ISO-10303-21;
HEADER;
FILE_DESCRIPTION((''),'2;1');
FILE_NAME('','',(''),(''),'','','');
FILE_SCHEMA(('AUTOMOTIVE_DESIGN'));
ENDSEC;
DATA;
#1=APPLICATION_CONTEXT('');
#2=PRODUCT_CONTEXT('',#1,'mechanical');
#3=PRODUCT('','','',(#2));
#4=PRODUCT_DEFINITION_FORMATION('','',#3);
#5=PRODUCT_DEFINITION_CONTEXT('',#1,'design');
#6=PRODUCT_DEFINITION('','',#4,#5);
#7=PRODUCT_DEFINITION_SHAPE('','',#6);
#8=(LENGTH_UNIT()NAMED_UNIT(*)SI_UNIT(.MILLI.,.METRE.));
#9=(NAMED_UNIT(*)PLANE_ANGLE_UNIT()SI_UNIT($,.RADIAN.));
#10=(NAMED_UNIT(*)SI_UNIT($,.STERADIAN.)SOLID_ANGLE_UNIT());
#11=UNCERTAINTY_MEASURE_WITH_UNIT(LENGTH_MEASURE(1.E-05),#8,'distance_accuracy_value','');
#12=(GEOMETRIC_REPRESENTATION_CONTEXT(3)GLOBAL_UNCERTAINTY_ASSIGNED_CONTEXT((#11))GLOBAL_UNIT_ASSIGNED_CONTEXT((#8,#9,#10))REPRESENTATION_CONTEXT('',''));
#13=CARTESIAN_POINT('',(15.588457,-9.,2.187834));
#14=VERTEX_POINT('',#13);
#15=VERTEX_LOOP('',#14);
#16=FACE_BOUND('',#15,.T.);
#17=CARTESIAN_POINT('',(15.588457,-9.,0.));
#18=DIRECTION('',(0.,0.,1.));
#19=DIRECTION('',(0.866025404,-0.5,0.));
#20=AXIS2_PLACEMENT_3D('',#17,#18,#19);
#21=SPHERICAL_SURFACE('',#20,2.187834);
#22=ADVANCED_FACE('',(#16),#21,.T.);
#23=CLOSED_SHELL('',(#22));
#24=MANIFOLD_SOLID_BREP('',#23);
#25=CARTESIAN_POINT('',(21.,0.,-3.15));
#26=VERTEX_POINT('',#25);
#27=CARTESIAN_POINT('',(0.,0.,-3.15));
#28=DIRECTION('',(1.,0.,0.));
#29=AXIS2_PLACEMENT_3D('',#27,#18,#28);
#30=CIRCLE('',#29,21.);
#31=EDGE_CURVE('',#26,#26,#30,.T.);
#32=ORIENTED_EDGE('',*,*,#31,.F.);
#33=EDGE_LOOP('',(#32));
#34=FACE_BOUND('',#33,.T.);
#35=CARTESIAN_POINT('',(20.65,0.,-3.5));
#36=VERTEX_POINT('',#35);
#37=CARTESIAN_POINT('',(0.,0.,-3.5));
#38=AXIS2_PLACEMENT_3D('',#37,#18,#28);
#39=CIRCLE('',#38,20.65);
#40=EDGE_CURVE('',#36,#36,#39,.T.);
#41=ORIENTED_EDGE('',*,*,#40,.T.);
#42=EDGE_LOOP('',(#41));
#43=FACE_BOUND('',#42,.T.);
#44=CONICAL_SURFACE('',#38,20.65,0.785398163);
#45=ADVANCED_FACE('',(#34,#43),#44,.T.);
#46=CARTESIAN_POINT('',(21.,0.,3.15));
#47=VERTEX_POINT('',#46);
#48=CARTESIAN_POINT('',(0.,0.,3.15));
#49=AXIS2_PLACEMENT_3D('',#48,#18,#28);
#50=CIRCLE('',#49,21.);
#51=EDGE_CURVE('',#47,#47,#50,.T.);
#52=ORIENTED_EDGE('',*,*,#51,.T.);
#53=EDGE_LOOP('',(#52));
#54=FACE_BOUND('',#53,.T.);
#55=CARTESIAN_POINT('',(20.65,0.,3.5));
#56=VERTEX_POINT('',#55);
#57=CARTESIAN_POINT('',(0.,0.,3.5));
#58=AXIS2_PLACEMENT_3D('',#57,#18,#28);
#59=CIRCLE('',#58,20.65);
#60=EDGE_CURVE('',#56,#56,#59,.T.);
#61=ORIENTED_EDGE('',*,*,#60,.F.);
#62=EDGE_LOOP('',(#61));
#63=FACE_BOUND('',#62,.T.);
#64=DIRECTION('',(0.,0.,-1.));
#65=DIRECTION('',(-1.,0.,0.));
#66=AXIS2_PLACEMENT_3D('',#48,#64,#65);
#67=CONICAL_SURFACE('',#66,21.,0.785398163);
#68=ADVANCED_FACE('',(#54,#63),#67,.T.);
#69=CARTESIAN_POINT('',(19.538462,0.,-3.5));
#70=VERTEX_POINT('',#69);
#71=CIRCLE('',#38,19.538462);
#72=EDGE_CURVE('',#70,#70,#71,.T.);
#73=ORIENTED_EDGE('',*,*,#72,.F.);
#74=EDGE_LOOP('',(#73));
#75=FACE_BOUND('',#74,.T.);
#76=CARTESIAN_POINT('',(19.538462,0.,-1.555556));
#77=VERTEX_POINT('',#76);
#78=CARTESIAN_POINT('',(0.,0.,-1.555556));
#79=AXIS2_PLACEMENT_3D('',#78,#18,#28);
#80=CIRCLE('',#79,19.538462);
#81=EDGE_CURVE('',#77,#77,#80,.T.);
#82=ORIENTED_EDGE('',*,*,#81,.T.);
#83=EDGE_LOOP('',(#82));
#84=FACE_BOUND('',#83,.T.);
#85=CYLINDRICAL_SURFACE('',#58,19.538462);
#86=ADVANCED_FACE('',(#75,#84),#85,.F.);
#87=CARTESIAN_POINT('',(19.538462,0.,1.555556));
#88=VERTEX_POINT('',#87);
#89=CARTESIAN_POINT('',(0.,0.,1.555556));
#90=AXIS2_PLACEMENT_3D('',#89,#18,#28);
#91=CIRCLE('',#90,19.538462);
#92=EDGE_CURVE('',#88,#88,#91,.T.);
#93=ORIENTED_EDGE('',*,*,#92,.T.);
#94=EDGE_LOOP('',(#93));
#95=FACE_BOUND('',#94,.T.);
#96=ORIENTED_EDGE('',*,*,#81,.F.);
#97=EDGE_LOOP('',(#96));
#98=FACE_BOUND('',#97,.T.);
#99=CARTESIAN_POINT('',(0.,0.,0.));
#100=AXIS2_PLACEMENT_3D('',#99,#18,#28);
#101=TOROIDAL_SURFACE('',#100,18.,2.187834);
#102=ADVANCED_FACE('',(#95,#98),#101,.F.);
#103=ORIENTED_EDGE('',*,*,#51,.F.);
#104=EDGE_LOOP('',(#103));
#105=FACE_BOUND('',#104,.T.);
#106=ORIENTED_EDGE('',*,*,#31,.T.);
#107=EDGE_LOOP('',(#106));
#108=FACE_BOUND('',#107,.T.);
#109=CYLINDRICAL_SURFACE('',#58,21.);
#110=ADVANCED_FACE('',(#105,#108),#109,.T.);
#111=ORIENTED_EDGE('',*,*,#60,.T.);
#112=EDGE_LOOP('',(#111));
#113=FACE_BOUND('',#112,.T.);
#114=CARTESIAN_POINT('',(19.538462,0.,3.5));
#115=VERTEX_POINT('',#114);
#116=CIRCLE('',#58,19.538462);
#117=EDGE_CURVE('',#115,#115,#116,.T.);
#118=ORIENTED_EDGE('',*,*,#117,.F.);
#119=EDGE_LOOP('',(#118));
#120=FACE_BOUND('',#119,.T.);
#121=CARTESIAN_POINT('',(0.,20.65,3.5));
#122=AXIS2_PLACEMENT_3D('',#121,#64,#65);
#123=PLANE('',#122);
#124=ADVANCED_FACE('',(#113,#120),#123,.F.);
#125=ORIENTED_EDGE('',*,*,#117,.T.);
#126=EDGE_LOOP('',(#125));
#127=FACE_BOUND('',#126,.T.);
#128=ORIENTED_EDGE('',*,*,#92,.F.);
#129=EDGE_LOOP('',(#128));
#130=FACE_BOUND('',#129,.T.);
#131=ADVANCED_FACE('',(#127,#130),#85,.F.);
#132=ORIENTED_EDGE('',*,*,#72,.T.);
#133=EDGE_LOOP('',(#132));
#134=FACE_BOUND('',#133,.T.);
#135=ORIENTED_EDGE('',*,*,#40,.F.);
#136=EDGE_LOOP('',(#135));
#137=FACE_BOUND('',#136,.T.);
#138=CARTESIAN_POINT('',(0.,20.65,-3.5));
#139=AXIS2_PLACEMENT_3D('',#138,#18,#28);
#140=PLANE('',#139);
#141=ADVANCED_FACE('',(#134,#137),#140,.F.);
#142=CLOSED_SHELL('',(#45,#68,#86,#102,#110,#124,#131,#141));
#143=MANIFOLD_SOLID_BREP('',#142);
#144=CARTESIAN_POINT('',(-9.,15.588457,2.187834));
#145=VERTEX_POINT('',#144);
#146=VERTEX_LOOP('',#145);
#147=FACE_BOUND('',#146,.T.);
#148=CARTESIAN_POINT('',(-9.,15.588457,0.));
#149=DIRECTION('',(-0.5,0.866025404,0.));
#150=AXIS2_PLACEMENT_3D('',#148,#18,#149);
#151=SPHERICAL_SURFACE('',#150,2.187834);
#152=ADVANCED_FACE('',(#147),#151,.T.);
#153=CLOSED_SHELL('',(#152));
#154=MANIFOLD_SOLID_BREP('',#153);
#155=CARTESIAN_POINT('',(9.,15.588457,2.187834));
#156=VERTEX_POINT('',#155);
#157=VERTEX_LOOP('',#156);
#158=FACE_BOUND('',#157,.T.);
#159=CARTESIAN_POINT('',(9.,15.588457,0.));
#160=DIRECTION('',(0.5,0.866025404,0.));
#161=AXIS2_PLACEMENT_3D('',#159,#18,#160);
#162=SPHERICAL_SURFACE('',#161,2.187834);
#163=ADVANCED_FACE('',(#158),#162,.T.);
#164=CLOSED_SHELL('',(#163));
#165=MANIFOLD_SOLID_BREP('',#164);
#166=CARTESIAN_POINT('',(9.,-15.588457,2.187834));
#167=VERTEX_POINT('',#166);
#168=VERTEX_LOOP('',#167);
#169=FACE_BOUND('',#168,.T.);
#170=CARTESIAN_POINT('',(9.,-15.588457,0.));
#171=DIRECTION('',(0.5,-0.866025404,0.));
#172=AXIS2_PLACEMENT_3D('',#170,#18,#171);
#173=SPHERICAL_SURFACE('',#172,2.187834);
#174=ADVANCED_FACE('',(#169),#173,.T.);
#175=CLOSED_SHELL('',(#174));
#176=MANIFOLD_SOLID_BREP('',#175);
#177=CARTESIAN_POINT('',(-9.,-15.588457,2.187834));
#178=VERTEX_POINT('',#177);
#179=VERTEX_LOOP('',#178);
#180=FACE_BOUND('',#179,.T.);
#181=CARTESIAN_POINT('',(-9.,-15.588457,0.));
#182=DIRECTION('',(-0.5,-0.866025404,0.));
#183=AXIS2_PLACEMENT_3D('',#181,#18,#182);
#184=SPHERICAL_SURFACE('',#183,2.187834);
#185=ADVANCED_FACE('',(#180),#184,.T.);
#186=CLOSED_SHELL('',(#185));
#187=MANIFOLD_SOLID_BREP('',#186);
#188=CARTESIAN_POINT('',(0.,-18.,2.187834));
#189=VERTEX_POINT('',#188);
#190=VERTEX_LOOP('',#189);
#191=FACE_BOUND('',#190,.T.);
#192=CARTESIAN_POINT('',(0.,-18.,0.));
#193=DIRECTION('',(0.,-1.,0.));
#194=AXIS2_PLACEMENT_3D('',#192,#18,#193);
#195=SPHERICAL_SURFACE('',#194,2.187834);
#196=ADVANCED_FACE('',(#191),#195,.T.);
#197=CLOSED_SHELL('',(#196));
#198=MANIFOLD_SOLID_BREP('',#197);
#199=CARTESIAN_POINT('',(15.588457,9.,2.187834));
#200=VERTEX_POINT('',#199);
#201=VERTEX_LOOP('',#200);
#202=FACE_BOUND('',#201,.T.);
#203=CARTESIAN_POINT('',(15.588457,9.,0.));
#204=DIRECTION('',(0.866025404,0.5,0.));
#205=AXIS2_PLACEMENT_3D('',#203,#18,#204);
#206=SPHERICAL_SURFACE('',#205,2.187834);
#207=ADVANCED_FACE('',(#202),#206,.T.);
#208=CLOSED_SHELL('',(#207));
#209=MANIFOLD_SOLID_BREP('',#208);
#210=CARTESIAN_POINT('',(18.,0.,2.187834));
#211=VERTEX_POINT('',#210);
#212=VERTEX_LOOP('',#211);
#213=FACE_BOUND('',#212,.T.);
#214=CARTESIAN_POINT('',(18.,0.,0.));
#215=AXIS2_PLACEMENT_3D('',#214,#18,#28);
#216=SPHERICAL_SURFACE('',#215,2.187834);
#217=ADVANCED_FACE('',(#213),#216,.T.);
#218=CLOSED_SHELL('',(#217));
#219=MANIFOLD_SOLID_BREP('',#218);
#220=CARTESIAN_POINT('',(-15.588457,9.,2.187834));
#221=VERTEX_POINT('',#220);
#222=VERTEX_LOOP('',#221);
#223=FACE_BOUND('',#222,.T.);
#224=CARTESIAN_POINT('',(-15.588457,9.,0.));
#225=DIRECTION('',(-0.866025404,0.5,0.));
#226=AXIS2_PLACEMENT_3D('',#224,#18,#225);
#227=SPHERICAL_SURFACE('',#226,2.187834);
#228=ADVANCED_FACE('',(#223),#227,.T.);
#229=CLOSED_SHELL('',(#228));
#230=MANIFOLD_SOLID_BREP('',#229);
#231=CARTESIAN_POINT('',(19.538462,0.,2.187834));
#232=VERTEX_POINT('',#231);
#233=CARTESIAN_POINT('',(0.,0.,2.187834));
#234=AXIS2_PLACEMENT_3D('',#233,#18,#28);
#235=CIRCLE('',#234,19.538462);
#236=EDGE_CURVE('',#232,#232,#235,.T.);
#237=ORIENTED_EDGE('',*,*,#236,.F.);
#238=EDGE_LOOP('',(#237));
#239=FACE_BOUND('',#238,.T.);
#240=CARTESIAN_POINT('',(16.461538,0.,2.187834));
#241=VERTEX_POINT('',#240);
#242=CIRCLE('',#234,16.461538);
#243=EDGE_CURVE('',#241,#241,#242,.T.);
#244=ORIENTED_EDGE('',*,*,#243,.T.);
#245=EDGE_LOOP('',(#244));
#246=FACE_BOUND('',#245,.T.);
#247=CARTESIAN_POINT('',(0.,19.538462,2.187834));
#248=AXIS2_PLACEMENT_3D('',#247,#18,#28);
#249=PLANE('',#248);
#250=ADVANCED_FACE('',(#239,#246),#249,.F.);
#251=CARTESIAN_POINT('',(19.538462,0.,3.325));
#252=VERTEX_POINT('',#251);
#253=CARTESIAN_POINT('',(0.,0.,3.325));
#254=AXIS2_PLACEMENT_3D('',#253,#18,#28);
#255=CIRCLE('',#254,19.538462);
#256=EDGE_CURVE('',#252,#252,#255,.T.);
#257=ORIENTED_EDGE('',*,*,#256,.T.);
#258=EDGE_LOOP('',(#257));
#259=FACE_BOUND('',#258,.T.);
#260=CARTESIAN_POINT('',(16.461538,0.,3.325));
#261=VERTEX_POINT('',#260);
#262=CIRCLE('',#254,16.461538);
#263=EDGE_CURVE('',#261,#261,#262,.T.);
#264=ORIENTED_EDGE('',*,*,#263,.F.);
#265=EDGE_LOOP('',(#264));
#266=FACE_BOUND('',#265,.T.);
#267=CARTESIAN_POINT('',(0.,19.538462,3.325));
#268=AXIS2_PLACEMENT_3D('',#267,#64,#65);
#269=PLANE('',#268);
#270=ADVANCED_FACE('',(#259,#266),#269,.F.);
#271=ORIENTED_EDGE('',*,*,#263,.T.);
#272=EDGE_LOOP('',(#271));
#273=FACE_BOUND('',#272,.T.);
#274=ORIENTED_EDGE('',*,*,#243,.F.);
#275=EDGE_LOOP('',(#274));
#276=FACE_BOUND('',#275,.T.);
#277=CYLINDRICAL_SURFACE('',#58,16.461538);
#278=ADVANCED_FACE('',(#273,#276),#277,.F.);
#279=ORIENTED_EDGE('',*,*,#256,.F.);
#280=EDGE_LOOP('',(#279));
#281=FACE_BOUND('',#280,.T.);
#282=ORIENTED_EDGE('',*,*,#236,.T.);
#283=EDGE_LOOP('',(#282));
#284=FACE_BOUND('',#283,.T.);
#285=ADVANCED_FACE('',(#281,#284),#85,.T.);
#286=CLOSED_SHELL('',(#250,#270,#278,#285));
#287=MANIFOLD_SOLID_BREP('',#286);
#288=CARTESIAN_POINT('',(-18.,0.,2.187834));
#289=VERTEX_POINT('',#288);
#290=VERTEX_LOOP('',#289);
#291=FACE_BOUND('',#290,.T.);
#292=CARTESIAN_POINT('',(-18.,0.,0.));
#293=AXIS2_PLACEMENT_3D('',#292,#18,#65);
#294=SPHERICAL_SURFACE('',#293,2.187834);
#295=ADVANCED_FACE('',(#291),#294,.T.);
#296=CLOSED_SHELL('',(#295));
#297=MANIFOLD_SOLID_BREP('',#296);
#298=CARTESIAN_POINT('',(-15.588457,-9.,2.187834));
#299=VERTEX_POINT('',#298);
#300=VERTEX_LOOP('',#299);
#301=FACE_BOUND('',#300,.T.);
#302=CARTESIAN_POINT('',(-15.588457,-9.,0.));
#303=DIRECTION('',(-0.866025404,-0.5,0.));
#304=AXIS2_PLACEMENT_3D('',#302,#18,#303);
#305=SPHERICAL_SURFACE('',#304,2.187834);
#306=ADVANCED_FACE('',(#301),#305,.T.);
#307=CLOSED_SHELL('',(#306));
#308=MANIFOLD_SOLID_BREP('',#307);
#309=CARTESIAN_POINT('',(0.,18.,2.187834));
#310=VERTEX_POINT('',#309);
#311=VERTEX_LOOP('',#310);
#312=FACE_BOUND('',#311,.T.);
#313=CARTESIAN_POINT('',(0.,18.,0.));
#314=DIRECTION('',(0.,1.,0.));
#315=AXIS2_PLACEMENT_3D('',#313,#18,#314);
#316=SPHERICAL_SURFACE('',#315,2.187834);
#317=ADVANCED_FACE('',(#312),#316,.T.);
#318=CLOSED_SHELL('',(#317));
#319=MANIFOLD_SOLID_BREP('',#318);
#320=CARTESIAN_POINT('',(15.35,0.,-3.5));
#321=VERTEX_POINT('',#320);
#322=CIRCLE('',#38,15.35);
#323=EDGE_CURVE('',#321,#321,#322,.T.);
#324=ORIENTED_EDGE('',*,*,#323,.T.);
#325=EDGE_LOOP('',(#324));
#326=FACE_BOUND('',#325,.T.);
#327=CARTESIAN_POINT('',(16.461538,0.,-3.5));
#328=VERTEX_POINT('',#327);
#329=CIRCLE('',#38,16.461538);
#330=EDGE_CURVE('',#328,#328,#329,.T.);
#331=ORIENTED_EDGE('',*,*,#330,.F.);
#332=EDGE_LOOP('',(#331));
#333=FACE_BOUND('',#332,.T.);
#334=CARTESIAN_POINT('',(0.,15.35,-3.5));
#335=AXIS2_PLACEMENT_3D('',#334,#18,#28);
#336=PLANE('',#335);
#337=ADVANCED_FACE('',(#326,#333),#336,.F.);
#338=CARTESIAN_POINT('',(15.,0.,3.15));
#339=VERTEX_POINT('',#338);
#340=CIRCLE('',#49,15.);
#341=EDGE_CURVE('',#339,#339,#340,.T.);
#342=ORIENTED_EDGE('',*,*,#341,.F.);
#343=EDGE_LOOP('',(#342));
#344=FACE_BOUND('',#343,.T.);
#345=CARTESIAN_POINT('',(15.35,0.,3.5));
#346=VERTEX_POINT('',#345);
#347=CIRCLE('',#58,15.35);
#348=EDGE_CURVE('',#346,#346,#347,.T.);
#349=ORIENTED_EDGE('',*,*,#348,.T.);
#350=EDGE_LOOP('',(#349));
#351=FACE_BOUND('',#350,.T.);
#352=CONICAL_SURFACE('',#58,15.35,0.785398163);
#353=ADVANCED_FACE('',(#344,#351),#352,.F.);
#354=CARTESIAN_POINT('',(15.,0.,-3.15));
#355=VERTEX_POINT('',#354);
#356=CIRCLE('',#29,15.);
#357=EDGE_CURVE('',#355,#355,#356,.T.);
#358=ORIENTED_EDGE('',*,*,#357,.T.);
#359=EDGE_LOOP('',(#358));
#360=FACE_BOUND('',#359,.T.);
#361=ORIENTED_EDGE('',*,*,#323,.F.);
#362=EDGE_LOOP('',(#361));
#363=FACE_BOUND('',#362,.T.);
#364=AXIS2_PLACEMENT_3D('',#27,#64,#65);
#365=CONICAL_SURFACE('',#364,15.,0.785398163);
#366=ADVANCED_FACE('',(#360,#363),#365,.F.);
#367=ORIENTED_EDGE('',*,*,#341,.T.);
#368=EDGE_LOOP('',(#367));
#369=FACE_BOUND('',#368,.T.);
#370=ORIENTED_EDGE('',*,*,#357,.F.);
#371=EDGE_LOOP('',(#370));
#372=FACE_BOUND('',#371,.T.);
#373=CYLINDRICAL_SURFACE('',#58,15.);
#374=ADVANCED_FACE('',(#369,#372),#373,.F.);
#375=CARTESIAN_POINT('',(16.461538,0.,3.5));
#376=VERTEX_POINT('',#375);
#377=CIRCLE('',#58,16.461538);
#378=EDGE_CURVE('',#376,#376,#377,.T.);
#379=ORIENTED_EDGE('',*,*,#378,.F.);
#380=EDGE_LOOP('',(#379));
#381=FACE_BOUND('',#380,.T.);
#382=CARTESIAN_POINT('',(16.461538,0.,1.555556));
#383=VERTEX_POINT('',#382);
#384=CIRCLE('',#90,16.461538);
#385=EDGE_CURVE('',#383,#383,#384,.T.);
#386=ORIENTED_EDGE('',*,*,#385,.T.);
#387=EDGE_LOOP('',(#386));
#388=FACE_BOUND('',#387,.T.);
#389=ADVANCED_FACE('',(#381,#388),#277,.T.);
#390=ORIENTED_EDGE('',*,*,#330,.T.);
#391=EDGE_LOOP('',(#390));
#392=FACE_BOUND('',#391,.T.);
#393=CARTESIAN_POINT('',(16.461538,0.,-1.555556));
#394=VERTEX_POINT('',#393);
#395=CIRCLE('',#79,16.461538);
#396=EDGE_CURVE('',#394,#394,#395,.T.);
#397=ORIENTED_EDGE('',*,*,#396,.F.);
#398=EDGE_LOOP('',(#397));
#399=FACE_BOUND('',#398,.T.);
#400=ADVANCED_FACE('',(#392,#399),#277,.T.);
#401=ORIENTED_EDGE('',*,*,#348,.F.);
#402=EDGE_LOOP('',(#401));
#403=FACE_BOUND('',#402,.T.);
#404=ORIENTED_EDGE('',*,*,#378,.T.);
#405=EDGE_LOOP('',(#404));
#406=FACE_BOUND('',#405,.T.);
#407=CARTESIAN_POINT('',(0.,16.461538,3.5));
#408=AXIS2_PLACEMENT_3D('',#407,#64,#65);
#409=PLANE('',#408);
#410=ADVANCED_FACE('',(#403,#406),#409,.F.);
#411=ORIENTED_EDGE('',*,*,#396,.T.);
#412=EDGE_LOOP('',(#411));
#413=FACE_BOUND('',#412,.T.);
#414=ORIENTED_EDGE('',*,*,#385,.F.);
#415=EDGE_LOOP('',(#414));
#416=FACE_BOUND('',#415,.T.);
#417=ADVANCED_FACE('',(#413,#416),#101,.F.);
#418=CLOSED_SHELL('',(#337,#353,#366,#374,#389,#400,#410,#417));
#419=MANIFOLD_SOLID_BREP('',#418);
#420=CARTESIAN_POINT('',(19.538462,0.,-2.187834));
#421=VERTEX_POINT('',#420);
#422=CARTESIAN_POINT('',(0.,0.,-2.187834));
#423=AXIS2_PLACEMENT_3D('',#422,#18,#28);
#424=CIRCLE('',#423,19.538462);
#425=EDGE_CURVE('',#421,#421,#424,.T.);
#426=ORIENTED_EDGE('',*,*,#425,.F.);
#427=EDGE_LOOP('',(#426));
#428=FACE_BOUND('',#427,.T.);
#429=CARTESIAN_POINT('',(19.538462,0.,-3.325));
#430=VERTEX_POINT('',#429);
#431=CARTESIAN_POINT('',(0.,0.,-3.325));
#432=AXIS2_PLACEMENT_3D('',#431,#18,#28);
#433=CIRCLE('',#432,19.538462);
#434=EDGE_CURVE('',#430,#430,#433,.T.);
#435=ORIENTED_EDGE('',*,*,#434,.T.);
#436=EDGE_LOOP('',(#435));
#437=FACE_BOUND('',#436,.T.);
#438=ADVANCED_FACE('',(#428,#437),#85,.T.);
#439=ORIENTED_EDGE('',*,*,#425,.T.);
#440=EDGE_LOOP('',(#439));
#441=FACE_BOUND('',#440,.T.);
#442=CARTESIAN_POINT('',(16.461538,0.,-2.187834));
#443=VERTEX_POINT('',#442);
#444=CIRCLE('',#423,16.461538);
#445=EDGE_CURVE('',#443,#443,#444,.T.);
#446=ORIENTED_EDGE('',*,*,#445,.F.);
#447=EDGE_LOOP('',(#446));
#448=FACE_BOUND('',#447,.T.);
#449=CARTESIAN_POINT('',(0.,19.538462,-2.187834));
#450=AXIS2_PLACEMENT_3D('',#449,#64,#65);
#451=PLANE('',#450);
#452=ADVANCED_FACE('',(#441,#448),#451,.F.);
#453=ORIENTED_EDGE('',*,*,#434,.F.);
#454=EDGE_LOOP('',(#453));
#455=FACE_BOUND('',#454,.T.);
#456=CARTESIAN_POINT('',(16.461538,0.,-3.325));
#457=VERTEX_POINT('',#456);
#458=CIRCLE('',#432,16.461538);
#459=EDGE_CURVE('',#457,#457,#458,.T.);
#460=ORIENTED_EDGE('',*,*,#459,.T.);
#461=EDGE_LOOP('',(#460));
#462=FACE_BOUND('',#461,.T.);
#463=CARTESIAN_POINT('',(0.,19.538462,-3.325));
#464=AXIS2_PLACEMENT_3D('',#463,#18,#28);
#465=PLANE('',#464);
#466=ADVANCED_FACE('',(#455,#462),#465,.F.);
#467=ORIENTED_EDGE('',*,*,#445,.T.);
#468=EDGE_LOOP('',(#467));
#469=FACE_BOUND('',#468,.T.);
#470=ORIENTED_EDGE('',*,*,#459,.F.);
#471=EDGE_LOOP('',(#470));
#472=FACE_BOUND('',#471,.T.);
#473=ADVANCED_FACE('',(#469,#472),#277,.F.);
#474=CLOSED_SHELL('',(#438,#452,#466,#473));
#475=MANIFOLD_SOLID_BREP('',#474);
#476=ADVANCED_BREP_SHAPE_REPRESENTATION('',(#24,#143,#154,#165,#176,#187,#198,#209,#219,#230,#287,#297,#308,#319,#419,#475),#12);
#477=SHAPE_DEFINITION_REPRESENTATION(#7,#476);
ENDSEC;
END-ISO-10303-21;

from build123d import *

# Parameters (mm, degrees)
CIRPATTERN1_COUNT = 12
SKETCH5_W         = 1.137166142
SKETCH5_H         = 3.076923076


with BuildPart() as part:
    # Sketch1 → Revolve1 (revolve)
    with BuildSketch(Plane(origin=(0, 0, 0), x_dir=(0, 0, -1), z_dir=(1, 0, 0))):
        with BuildLine():
            Line((3.15, 21), (-3.15, 21))
            Line((-3.15, 21), (-3.5, 20.65))
            Line((-3.5, 20.65), (-3.5, 19.538461538))
            Line((-3.5, 19.538461538), (-1.555555556, 19.538461538))
            ThreePointArc((-1.555555556, 19.538461538), (0, 20.187833858), (1.555555556, 19.538461538))
            Line((1.555555556, 19.538461538), (3.5, 19.538461538))
            Line((3.5, 19.538461538), (3.5, 20.65))
            Line((3.5, 20.65), (3.15, 21))
        make_face()
    revolve(axis=Axis((0, 0, 3.5), (0, 0, -1)))


with BuildPart() as body_2:
    # Sketch3 → Revolve3 (revolve)
    with BuildSketch(Plane(origin=(0, 0, 0), x_dir=(0, 0, -1), z_dir=(1, 0, 0))):
        with BuildLine():
            Line((-3.5, 16.461538462), (-1.555555556, 16.461538462))
            ThreePointArc((-1.555555556, 16.461538462), (0, 15.812166142), (1.555555556, 16.461538462))
            Line((1.555555556, 16.461538462), (3.5, 16.461538462))
            Line((3.5, 16.461538462), (3.5, 15.35))
            Line((3.5, 15.35), (3.15, 15))
            Line((3.15, 15), (-3.15, 15))
            Line((-3.15, 15), (-3.5, 15.35))
            Line((-3.5, 15.35), (-3.5, 16.461538462))
        make_face()
    revolve(axis=Axis((0, 0, 3.5), (0, 0, -1)))


with BuildPart() as body_3:
    # Sketch4 → Revolve4 (revolve)
    with BuildSketch(Plane(origin=(0, 0, 0), x_dir=(0, 0, -1), z_dir=(1, 0, 0))):
        with BuildLine():
            Line((-2.187833858, 18), (2.187833858, 18))
            ThreePointArc((2.187833858, 18), (0, 20.187833858), (-2.187833858, 18))
        make_face()
    revolve(axis=Axis((0, 18, 2.187833858), (0, 0, -1)))


with BuildPart() as cirpattern1_1:
    # CirPattern1: pattern copy
    add(body_3.part.rotate(Axis((0, 0, -3.5), (0, 0, 1)), 1 * 360 / CIRPATTERN1_COUNT))


with BuildPart() as cirpattern1_2:
    # CirPattern1: pattern copy
    add(body_3.part.rotate(Axis((0, 0, -3.5), (0, 0, 1)), 2 * 360 / CIRPATTERN1_COUNT))


with BuildPart() as cirpattern1_3:
    # CirPattern1: pattern copy
    add(body_3.part.rotate(Axis((0, 0, -3.5), (0, 0, 1)), 3 * 360 / CIRPATTERN1_COUNT))


with BuildPart() as cirpattern1_4:
    # CirPattern1: pattern copy
    add(body_3.part.rotate(Axis((0, 0, -3.5), (0, 0, 1)), 4 * 360 / CIRPATTERN1_COUNT))


with BuildPart() as cirpattern1_5:
    # CirPattern1: pattern copy
    add(body_3.part.rotate(Axis((0, 0, -3.5), (0, 0, 1)), 5 * 360 / CIRPATTERN1_COUNT))


with BuildPart() as cirpattern1_6:
    # CirPattern1: pattern copy
    add(body_3.part.rotate(Axis((0, 0, -3.5), (0, 0, 1)), 6 * 360 / CIRPATTERN1_COUNT))


with BuildPart() as cirpattern1_7:
    # CirPattern1: pattern copy
    add(body_3.part.rotate(Axis((0, 0, -3.5), (0, 0, 1)), 7 * 360 / CIRPATTERN1_COUNT))


with BuildPart() as cirpattern1_8:
    # CirPattern1: pattern copy
    add(body_3.part.rotate(Axis((0, 0, -3.5), (0, 0, 1)), 8 * 360 / CIRPATTERN1_COUNT))


with BuildPart() as cirpattern1_9:
    # CirPattern1: pattern copy
    add(body_3.part.rotate(Axis((0, 0, -3.5), (0, 0, 1)), 9 * 360 / CIRPATTERN1_COUNT))


with BuildPart() as cirpattern1_10:
    # CirPattern1: pattern copy
    add(body_3.part.rotate(Axis((0, 0, -3.5), (0, 0, 1)), 10 * 360 / CIRPATTERN1_COUNT))


with BuildPart() as cirpattern1_11:
    # CirPattern1: pattern copy
    add(body_3.part.rotate(Axis((0, 0, -3.5), (0, 0, 1)), 11 * 360 / CIRPATTERN1_COUNT))


with BuildPart() as body_15:
    # Sketch5 → Revolve5 (revolve)
    with BuildSketch(Plane(origin=(0, 0, 0), x_dir=(0, 0, -1), z_dir=(1, 0, 0))):
        with Locations((-2.756416929, 18)):
            Rectangle(SKETCH5_W, SKETCH5_H)
        with Locations((2.756416929, 18)):
            Rectangle(SKETCH5_W, SKETCH5_H)
    revolve(axis=Axis((0, 0, 3.5), (0, 0, -1)))


solid = Compound([part.part, body_2.part, body_3.part, cirpattern1_1.part, cirpattern1_2.part, cirpattern1_3.part, cirpattern1_4.part, cirpattern1_5.part, cirpattern1_6.part, cirpattern1_7.part, cirpattern1_8.part, cirpattern1_9.part, cirpattern1_10.part, cirpattern1_11.part, body_15.part])
